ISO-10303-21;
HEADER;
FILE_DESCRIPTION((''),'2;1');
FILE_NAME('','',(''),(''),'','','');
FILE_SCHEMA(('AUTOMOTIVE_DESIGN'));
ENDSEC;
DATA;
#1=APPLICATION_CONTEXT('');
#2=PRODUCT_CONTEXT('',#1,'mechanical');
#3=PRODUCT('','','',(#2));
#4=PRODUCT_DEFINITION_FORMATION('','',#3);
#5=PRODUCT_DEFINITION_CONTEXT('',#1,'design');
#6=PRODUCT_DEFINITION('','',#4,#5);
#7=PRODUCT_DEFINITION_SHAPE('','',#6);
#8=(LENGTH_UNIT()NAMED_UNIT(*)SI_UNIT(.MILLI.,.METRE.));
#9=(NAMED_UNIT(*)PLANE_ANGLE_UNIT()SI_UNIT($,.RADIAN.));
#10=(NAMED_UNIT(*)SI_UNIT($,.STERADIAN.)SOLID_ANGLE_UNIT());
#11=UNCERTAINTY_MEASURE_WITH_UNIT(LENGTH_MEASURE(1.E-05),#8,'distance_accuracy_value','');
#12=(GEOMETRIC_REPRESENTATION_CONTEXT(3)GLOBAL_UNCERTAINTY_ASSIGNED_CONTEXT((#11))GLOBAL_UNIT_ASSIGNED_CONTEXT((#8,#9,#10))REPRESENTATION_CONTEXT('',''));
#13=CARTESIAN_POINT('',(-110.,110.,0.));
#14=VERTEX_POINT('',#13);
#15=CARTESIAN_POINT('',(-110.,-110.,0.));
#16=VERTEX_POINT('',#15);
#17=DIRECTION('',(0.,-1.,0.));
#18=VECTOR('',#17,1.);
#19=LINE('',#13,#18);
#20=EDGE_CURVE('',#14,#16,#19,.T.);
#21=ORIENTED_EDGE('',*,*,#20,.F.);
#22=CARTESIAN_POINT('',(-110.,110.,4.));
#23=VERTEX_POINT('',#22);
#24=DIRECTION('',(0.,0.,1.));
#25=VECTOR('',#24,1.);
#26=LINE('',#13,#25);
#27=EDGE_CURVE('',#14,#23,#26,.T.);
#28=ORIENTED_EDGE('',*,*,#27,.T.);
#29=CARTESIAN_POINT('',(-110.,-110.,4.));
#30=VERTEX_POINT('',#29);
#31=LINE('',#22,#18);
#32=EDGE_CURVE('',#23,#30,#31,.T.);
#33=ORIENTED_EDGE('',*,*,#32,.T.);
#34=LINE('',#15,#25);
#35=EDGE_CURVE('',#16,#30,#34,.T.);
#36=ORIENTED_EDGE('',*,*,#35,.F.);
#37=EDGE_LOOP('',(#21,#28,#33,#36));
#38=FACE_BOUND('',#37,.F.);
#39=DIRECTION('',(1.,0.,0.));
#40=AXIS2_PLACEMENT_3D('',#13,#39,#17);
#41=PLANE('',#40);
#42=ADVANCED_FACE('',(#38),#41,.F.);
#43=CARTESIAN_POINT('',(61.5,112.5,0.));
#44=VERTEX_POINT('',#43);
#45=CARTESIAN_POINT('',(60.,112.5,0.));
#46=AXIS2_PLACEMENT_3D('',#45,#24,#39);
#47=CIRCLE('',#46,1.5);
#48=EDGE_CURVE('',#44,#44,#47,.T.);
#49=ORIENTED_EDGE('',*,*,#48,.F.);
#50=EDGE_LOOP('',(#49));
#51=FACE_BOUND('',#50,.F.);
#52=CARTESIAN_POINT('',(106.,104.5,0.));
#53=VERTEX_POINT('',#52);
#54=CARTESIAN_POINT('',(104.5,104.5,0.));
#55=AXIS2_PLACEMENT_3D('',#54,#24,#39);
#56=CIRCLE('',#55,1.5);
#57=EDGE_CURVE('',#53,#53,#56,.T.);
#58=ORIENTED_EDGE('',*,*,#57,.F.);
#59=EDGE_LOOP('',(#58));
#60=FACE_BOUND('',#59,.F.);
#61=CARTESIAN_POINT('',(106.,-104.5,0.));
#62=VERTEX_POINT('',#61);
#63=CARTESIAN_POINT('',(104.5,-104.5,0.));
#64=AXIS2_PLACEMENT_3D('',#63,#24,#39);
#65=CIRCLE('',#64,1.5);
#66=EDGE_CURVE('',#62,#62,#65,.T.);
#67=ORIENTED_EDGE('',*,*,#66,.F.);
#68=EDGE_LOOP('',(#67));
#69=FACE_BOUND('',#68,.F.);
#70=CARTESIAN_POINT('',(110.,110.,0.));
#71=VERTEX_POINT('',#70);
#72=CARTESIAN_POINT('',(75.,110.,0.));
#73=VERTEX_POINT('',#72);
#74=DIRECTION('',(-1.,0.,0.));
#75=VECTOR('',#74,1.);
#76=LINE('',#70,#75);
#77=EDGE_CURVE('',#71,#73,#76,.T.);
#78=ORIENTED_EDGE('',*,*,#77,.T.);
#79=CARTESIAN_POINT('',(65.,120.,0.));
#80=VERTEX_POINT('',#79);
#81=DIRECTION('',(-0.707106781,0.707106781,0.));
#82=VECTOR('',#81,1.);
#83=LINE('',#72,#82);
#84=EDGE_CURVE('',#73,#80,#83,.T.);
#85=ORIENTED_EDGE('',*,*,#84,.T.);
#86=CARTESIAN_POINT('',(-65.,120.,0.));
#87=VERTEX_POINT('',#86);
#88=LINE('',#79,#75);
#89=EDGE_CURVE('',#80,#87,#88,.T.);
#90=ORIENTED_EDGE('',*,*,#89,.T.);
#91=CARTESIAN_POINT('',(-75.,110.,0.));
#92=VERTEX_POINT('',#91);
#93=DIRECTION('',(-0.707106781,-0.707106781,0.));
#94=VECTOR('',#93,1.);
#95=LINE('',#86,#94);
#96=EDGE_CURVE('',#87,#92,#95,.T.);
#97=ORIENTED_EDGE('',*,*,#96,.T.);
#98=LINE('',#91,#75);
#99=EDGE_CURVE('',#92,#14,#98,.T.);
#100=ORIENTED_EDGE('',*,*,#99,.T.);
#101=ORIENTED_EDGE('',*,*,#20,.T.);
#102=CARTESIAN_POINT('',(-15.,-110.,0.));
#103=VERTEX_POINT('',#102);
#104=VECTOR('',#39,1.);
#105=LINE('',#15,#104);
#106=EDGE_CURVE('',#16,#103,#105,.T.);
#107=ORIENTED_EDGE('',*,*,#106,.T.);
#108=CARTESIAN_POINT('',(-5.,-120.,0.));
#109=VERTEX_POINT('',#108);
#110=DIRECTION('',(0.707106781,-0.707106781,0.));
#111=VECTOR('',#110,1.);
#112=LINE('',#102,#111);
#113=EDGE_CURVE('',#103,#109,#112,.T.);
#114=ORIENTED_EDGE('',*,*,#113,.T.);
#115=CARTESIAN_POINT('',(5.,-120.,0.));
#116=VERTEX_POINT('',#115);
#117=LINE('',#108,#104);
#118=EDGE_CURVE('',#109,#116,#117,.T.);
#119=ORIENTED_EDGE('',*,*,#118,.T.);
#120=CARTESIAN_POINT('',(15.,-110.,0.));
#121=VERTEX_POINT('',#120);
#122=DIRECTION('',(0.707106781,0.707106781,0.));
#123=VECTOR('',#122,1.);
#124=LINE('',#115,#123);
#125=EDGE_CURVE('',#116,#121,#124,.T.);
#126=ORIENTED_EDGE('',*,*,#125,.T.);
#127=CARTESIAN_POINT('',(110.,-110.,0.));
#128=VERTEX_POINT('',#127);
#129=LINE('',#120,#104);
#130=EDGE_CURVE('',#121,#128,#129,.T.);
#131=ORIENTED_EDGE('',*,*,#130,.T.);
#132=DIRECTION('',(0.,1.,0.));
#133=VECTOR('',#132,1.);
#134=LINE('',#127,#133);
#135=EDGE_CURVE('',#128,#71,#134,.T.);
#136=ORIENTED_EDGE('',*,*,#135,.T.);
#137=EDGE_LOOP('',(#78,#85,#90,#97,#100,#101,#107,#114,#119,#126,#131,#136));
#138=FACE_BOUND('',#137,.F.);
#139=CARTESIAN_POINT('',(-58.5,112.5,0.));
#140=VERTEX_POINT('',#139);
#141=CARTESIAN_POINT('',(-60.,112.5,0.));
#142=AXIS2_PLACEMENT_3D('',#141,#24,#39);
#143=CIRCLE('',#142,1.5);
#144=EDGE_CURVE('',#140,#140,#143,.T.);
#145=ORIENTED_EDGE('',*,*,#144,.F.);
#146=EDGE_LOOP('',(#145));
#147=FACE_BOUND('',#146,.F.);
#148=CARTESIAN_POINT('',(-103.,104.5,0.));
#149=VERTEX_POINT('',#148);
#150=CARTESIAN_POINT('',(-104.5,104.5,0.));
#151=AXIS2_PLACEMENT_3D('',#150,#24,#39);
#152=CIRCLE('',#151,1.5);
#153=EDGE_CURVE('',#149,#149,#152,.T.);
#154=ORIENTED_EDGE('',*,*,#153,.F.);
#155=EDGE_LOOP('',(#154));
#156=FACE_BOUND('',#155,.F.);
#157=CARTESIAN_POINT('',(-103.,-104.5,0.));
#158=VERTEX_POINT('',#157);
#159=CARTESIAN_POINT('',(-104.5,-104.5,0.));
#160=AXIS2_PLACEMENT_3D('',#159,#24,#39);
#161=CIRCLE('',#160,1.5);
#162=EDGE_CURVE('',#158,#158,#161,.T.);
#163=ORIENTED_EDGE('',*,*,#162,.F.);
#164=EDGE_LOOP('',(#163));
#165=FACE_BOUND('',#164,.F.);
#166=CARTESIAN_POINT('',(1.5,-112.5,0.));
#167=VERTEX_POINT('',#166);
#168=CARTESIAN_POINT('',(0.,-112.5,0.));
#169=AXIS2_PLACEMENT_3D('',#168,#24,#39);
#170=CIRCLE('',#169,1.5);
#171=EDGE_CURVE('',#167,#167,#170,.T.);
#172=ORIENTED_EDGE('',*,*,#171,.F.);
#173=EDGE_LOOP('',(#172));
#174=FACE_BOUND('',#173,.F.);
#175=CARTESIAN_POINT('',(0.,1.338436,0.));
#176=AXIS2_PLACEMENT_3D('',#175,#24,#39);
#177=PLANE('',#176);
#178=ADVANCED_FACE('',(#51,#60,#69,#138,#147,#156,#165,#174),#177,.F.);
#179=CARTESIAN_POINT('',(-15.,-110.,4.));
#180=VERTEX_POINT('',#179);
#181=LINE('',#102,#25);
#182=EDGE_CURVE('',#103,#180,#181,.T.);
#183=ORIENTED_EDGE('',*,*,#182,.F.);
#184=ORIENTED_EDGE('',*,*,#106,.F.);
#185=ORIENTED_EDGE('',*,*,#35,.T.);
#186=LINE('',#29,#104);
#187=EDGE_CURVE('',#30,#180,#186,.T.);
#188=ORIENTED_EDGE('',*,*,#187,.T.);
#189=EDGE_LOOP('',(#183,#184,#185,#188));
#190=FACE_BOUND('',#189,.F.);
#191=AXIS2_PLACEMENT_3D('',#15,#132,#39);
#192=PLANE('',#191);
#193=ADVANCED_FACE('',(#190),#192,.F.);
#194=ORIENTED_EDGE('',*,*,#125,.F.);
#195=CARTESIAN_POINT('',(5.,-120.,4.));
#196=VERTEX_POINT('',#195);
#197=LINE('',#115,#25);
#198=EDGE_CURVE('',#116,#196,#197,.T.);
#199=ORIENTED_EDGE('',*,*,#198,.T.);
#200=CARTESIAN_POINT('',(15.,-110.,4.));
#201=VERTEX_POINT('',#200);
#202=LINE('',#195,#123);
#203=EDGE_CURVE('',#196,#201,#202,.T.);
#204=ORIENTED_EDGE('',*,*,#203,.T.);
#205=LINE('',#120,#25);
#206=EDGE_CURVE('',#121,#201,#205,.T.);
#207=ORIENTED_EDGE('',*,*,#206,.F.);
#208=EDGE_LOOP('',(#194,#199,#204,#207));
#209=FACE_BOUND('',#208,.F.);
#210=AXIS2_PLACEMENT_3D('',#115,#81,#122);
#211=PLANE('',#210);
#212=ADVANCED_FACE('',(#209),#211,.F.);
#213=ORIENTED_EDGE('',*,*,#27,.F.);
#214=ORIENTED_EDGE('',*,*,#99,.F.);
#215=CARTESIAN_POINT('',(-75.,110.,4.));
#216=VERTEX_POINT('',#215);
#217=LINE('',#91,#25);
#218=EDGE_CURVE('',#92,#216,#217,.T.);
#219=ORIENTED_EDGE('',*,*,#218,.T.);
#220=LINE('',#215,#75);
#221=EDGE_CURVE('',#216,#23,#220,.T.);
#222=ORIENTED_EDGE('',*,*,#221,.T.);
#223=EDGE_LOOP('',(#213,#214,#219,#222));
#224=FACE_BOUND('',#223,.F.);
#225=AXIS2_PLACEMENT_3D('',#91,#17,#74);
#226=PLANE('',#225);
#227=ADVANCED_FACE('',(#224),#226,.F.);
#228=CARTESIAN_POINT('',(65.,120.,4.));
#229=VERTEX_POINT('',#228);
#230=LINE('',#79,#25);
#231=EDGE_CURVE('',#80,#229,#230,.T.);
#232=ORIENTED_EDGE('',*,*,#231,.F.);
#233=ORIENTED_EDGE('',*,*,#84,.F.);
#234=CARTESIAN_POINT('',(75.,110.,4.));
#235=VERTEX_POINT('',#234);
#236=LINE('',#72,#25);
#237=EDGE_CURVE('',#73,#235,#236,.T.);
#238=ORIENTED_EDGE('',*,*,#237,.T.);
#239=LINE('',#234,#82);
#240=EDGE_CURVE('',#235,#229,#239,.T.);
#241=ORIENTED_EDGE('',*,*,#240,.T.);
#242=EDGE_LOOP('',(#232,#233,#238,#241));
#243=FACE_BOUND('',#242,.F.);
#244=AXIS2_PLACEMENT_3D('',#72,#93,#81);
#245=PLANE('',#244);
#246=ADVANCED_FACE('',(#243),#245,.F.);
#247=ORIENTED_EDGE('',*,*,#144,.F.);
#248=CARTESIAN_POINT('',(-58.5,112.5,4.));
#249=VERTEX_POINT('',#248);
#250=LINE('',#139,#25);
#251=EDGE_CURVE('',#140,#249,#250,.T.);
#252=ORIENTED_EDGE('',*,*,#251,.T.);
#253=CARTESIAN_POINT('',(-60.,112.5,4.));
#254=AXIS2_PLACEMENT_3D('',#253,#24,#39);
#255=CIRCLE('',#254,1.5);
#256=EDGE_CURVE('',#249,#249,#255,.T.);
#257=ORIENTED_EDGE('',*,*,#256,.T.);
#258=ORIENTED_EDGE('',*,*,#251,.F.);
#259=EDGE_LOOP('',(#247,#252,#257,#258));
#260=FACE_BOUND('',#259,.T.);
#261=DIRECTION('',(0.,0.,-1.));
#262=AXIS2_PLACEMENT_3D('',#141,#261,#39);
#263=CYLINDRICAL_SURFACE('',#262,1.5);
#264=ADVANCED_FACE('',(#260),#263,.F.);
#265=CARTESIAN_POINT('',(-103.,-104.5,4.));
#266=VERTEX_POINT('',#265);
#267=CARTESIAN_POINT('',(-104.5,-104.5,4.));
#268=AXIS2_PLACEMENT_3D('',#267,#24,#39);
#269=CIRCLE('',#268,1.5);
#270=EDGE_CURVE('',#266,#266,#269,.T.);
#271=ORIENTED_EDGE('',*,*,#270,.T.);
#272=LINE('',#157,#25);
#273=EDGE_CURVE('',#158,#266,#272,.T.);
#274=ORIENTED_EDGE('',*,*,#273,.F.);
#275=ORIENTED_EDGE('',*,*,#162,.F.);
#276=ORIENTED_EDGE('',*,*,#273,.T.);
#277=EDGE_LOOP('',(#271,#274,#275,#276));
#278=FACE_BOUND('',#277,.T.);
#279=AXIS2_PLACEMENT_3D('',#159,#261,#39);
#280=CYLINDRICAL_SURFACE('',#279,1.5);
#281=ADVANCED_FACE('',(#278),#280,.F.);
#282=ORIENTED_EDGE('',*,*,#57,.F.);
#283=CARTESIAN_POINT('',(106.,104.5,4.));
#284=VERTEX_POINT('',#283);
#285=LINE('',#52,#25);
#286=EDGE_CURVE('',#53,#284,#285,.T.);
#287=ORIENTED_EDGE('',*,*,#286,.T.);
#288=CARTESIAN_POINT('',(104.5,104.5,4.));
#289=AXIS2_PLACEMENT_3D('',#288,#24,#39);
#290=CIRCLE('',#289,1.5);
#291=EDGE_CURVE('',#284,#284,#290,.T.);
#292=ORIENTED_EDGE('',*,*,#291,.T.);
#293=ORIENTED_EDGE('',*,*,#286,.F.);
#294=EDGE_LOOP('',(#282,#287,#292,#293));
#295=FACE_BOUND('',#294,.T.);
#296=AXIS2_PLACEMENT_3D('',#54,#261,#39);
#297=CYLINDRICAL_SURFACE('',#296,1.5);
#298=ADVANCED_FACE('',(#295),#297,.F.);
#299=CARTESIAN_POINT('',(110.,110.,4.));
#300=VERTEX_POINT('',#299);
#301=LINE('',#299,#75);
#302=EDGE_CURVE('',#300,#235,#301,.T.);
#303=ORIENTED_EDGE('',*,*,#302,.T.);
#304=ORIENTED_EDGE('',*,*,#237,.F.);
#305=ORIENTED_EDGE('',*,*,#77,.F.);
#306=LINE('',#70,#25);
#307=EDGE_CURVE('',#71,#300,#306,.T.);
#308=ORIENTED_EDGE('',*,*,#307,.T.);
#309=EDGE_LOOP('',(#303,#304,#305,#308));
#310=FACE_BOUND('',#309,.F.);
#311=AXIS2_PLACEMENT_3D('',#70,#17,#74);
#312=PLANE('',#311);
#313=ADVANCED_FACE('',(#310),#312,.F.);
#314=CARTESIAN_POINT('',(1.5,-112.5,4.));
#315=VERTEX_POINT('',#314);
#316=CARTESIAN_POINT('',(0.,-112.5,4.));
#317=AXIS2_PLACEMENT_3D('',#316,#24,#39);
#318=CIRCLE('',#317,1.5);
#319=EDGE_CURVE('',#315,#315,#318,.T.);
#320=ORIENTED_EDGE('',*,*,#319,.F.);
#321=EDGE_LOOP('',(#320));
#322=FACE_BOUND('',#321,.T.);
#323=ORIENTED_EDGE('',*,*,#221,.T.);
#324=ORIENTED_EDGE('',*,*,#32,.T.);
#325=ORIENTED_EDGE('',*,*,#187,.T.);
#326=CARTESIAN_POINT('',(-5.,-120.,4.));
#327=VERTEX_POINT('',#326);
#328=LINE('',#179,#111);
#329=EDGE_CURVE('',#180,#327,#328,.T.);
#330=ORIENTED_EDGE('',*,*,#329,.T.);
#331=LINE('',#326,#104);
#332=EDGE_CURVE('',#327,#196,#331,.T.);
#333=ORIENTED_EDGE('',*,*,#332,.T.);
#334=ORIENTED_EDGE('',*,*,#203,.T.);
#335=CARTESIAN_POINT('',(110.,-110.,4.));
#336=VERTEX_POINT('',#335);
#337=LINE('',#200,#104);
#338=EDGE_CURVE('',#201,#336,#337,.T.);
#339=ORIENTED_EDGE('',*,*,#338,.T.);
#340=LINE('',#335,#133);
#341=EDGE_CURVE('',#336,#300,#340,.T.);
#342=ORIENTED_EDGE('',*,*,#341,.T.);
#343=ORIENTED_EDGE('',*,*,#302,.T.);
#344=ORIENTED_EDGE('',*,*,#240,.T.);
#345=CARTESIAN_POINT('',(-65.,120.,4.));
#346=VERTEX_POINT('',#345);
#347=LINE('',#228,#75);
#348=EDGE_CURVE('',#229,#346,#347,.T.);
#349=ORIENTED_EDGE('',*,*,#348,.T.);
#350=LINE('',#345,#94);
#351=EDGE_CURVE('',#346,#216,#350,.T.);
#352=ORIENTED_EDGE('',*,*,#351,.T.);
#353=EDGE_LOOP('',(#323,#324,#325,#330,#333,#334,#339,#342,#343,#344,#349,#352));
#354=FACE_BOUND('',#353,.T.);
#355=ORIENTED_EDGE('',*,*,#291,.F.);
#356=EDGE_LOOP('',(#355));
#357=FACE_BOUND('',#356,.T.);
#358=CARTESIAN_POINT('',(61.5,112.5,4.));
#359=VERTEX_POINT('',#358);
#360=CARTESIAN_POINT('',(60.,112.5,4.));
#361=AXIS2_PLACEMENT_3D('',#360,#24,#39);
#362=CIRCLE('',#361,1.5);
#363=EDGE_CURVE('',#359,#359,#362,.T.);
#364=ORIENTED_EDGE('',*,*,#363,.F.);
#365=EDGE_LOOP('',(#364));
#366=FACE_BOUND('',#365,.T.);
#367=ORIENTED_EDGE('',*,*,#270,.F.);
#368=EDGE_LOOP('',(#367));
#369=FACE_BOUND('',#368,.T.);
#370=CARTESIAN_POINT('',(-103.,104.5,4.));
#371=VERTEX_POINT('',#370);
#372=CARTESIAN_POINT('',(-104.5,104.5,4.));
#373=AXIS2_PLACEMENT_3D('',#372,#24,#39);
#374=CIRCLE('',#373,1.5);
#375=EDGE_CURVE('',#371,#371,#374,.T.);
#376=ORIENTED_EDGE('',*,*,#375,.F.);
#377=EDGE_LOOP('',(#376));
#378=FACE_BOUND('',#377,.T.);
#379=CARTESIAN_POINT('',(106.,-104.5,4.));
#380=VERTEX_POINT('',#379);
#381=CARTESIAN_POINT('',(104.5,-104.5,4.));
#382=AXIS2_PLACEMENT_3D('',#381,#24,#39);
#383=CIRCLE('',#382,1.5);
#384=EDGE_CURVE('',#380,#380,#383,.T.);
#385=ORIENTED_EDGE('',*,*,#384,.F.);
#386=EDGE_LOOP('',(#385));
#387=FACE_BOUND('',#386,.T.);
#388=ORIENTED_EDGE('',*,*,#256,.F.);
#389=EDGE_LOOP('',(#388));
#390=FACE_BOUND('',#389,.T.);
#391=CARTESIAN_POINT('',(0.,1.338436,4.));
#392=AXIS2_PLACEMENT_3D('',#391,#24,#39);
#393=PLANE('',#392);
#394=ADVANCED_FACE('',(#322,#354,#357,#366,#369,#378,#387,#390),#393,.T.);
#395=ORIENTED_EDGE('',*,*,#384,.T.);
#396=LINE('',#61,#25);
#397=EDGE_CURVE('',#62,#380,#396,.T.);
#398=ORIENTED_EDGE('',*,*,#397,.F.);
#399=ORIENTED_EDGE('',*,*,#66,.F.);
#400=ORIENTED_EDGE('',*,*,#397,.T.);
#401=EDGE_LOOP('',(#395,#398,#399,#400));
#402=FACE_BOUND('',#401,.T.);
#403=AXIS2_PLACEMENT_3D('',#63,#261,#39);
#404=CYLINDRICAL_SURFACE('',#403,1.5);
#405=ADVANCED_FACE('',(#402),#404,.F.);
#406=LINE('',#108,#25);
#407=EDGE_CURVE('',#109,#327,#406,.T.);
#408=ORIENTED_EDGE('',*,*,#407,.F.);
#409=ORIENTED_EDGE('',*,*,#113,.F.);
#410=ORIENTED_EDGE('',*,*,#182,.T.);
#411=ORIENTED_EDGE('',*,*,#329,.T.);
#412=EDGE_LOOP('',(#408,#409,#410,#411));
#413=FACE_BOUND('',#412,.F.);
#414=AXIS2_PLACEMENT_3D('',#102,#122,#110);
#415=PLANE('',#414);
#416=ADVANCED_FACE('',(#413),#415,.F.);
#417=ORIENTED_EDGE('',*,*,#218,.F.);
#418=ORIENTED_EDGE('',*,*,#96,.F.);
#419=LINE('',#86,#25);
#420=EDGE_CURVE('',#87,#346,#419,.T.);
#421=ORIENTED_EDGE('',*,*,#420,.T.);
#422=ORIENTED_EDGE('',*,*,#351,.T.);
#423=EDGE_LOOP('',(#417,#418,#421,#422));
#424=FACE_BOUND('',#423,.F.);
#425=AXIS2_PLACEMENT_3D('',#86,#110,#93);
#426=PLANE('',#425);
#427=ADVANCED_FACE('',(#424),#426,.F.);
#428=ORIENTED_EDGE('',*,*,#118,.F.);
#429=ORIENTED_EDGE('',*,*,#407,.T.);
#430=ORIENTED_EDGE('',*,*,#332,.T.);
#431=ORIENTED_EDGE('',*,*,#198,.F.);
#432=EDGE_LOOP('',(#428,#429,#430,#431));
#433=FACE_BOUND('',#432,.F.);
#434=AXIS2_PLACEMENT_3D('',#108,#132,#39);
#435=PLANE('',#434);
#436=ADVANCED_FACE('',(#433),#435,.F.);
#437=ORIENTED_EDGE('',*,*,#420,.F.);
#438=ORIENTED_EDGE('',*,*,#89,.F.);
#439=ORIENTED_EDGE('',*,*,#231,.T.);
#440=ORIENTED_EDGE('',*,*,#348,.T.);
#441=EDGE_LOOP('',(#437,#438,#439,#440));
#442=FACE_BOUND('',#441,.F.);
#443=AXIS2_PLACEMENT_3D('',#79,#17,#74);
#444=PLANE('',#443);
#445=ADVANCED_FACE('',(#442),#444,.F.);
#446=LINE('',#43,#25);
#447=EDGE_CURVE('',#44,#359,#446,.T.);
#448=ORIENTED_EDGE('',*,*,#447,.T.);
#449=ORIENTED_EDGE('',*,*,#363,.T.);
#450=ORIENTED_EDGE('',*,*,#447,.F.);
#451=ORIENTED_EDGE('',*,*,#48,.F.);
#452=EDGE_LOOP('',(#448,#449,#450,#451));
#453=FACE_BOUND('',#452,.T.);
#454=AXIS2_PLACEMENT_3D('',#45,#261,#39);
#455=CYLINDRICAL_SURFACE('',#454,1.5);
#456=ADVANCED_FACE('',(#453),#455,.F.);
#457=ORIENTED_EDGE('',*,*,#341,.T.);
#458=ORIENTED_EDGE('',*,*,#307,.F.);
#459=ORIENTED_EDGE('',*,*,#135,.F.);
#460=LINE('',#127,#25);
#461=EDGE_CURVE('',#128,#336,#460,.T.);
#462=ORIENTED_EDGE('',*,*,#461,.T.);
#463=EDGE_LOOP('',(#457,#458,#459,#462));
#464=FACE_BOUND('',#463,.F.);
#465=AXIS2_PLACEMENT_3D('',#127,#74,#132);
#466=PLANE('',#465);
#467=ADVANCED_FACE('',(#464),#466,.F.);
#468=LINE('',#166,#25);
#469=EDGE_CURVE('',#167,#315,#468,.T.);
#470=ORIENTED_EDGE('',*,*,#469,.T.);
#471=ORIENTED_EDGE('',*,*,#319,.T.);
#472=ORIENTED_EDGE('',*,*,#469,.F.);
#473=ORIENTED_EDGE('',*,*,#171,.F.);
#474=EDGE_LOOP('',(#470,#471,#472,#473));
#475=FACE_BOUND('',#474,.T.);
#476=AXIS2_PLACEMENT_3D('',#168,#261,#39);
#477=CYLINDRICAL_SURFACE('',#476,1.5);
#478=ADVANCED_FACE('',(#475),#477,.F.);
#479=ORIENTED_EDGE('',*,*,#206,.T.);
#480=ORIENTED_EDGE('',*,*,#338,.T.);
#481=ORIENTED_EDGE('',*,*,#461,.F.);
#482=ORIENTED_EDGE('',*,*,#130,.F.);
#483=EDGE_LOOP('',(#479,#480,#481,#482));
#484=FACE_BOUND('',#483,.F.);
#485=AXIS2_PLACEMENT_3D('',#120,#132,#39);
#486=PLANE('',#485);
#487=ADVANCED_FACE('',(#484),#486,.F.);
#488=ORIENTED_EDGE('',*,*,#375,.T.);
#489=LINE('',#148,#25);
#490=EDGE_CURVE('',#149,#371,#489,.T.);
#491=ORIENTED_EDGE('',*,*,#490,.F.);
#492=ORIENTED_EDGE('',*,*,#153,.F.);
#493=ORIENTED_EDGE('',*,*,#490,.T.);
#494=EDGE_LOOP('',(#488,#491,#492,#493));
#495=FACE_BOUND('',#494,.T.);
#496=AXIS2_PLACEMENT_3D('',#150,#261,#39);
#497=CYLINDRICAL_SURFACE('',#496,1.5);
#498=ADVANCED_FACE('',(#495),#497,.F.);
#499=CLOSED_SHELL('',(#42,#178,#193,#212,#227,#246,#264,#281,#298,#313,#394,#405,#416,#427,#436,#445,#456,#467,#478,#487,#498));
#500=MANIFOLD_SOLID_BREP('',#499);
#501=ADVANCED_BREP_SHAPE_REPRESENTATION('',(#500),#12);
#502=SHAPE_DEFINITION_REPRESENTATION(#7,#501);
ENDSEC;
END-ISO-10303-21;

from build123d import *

# Parameters (mm, degrees)
F0_R     = 1.5
F1_DEPTH = 4


with BuildPart() as f1:
    # F0 (on Top) → F1 (new body)
    with BuildSketch(Plane.XY):
        Polygon((-75, 110), (-110, 110), (-110, -110), (-15, -110), (-5, -120), (0, -120), (5, -120), (15, -110), (110, -110), (110, 110), (75, 110), (65, 120), (0, 120), (-65, 120), align=None)
        with Locations((-104.5, -104.5)):
            Circle(F0_R, mode=Mode.SUBTRACT)
        with Locations((0, -112.5)):
            Circle(F0_R, mode=Mode.SUBTRACT)
        with Locations((104.5, -104.5)):
            Circle(F0_R, mode=Mode.SUBTRACT)
        with Locations((-104.5, 104.5)):
            Circle(F0_R, mode=Mode.SUBTRACT)
        with Locations((-60, 112.5)):
            Circle(F0_R, mode=Mode.SUBTRACT)
        with Locations((60, 112.5)):
            Circle(F0_R, mode=Mode.SUBTRACT)
        with Locations((104.5, 104.5)):
            Circle(F0_R, mode=Mode.SUBTRACT)
    extrude(amount=F1_DEPTH)


solid = f1.part
